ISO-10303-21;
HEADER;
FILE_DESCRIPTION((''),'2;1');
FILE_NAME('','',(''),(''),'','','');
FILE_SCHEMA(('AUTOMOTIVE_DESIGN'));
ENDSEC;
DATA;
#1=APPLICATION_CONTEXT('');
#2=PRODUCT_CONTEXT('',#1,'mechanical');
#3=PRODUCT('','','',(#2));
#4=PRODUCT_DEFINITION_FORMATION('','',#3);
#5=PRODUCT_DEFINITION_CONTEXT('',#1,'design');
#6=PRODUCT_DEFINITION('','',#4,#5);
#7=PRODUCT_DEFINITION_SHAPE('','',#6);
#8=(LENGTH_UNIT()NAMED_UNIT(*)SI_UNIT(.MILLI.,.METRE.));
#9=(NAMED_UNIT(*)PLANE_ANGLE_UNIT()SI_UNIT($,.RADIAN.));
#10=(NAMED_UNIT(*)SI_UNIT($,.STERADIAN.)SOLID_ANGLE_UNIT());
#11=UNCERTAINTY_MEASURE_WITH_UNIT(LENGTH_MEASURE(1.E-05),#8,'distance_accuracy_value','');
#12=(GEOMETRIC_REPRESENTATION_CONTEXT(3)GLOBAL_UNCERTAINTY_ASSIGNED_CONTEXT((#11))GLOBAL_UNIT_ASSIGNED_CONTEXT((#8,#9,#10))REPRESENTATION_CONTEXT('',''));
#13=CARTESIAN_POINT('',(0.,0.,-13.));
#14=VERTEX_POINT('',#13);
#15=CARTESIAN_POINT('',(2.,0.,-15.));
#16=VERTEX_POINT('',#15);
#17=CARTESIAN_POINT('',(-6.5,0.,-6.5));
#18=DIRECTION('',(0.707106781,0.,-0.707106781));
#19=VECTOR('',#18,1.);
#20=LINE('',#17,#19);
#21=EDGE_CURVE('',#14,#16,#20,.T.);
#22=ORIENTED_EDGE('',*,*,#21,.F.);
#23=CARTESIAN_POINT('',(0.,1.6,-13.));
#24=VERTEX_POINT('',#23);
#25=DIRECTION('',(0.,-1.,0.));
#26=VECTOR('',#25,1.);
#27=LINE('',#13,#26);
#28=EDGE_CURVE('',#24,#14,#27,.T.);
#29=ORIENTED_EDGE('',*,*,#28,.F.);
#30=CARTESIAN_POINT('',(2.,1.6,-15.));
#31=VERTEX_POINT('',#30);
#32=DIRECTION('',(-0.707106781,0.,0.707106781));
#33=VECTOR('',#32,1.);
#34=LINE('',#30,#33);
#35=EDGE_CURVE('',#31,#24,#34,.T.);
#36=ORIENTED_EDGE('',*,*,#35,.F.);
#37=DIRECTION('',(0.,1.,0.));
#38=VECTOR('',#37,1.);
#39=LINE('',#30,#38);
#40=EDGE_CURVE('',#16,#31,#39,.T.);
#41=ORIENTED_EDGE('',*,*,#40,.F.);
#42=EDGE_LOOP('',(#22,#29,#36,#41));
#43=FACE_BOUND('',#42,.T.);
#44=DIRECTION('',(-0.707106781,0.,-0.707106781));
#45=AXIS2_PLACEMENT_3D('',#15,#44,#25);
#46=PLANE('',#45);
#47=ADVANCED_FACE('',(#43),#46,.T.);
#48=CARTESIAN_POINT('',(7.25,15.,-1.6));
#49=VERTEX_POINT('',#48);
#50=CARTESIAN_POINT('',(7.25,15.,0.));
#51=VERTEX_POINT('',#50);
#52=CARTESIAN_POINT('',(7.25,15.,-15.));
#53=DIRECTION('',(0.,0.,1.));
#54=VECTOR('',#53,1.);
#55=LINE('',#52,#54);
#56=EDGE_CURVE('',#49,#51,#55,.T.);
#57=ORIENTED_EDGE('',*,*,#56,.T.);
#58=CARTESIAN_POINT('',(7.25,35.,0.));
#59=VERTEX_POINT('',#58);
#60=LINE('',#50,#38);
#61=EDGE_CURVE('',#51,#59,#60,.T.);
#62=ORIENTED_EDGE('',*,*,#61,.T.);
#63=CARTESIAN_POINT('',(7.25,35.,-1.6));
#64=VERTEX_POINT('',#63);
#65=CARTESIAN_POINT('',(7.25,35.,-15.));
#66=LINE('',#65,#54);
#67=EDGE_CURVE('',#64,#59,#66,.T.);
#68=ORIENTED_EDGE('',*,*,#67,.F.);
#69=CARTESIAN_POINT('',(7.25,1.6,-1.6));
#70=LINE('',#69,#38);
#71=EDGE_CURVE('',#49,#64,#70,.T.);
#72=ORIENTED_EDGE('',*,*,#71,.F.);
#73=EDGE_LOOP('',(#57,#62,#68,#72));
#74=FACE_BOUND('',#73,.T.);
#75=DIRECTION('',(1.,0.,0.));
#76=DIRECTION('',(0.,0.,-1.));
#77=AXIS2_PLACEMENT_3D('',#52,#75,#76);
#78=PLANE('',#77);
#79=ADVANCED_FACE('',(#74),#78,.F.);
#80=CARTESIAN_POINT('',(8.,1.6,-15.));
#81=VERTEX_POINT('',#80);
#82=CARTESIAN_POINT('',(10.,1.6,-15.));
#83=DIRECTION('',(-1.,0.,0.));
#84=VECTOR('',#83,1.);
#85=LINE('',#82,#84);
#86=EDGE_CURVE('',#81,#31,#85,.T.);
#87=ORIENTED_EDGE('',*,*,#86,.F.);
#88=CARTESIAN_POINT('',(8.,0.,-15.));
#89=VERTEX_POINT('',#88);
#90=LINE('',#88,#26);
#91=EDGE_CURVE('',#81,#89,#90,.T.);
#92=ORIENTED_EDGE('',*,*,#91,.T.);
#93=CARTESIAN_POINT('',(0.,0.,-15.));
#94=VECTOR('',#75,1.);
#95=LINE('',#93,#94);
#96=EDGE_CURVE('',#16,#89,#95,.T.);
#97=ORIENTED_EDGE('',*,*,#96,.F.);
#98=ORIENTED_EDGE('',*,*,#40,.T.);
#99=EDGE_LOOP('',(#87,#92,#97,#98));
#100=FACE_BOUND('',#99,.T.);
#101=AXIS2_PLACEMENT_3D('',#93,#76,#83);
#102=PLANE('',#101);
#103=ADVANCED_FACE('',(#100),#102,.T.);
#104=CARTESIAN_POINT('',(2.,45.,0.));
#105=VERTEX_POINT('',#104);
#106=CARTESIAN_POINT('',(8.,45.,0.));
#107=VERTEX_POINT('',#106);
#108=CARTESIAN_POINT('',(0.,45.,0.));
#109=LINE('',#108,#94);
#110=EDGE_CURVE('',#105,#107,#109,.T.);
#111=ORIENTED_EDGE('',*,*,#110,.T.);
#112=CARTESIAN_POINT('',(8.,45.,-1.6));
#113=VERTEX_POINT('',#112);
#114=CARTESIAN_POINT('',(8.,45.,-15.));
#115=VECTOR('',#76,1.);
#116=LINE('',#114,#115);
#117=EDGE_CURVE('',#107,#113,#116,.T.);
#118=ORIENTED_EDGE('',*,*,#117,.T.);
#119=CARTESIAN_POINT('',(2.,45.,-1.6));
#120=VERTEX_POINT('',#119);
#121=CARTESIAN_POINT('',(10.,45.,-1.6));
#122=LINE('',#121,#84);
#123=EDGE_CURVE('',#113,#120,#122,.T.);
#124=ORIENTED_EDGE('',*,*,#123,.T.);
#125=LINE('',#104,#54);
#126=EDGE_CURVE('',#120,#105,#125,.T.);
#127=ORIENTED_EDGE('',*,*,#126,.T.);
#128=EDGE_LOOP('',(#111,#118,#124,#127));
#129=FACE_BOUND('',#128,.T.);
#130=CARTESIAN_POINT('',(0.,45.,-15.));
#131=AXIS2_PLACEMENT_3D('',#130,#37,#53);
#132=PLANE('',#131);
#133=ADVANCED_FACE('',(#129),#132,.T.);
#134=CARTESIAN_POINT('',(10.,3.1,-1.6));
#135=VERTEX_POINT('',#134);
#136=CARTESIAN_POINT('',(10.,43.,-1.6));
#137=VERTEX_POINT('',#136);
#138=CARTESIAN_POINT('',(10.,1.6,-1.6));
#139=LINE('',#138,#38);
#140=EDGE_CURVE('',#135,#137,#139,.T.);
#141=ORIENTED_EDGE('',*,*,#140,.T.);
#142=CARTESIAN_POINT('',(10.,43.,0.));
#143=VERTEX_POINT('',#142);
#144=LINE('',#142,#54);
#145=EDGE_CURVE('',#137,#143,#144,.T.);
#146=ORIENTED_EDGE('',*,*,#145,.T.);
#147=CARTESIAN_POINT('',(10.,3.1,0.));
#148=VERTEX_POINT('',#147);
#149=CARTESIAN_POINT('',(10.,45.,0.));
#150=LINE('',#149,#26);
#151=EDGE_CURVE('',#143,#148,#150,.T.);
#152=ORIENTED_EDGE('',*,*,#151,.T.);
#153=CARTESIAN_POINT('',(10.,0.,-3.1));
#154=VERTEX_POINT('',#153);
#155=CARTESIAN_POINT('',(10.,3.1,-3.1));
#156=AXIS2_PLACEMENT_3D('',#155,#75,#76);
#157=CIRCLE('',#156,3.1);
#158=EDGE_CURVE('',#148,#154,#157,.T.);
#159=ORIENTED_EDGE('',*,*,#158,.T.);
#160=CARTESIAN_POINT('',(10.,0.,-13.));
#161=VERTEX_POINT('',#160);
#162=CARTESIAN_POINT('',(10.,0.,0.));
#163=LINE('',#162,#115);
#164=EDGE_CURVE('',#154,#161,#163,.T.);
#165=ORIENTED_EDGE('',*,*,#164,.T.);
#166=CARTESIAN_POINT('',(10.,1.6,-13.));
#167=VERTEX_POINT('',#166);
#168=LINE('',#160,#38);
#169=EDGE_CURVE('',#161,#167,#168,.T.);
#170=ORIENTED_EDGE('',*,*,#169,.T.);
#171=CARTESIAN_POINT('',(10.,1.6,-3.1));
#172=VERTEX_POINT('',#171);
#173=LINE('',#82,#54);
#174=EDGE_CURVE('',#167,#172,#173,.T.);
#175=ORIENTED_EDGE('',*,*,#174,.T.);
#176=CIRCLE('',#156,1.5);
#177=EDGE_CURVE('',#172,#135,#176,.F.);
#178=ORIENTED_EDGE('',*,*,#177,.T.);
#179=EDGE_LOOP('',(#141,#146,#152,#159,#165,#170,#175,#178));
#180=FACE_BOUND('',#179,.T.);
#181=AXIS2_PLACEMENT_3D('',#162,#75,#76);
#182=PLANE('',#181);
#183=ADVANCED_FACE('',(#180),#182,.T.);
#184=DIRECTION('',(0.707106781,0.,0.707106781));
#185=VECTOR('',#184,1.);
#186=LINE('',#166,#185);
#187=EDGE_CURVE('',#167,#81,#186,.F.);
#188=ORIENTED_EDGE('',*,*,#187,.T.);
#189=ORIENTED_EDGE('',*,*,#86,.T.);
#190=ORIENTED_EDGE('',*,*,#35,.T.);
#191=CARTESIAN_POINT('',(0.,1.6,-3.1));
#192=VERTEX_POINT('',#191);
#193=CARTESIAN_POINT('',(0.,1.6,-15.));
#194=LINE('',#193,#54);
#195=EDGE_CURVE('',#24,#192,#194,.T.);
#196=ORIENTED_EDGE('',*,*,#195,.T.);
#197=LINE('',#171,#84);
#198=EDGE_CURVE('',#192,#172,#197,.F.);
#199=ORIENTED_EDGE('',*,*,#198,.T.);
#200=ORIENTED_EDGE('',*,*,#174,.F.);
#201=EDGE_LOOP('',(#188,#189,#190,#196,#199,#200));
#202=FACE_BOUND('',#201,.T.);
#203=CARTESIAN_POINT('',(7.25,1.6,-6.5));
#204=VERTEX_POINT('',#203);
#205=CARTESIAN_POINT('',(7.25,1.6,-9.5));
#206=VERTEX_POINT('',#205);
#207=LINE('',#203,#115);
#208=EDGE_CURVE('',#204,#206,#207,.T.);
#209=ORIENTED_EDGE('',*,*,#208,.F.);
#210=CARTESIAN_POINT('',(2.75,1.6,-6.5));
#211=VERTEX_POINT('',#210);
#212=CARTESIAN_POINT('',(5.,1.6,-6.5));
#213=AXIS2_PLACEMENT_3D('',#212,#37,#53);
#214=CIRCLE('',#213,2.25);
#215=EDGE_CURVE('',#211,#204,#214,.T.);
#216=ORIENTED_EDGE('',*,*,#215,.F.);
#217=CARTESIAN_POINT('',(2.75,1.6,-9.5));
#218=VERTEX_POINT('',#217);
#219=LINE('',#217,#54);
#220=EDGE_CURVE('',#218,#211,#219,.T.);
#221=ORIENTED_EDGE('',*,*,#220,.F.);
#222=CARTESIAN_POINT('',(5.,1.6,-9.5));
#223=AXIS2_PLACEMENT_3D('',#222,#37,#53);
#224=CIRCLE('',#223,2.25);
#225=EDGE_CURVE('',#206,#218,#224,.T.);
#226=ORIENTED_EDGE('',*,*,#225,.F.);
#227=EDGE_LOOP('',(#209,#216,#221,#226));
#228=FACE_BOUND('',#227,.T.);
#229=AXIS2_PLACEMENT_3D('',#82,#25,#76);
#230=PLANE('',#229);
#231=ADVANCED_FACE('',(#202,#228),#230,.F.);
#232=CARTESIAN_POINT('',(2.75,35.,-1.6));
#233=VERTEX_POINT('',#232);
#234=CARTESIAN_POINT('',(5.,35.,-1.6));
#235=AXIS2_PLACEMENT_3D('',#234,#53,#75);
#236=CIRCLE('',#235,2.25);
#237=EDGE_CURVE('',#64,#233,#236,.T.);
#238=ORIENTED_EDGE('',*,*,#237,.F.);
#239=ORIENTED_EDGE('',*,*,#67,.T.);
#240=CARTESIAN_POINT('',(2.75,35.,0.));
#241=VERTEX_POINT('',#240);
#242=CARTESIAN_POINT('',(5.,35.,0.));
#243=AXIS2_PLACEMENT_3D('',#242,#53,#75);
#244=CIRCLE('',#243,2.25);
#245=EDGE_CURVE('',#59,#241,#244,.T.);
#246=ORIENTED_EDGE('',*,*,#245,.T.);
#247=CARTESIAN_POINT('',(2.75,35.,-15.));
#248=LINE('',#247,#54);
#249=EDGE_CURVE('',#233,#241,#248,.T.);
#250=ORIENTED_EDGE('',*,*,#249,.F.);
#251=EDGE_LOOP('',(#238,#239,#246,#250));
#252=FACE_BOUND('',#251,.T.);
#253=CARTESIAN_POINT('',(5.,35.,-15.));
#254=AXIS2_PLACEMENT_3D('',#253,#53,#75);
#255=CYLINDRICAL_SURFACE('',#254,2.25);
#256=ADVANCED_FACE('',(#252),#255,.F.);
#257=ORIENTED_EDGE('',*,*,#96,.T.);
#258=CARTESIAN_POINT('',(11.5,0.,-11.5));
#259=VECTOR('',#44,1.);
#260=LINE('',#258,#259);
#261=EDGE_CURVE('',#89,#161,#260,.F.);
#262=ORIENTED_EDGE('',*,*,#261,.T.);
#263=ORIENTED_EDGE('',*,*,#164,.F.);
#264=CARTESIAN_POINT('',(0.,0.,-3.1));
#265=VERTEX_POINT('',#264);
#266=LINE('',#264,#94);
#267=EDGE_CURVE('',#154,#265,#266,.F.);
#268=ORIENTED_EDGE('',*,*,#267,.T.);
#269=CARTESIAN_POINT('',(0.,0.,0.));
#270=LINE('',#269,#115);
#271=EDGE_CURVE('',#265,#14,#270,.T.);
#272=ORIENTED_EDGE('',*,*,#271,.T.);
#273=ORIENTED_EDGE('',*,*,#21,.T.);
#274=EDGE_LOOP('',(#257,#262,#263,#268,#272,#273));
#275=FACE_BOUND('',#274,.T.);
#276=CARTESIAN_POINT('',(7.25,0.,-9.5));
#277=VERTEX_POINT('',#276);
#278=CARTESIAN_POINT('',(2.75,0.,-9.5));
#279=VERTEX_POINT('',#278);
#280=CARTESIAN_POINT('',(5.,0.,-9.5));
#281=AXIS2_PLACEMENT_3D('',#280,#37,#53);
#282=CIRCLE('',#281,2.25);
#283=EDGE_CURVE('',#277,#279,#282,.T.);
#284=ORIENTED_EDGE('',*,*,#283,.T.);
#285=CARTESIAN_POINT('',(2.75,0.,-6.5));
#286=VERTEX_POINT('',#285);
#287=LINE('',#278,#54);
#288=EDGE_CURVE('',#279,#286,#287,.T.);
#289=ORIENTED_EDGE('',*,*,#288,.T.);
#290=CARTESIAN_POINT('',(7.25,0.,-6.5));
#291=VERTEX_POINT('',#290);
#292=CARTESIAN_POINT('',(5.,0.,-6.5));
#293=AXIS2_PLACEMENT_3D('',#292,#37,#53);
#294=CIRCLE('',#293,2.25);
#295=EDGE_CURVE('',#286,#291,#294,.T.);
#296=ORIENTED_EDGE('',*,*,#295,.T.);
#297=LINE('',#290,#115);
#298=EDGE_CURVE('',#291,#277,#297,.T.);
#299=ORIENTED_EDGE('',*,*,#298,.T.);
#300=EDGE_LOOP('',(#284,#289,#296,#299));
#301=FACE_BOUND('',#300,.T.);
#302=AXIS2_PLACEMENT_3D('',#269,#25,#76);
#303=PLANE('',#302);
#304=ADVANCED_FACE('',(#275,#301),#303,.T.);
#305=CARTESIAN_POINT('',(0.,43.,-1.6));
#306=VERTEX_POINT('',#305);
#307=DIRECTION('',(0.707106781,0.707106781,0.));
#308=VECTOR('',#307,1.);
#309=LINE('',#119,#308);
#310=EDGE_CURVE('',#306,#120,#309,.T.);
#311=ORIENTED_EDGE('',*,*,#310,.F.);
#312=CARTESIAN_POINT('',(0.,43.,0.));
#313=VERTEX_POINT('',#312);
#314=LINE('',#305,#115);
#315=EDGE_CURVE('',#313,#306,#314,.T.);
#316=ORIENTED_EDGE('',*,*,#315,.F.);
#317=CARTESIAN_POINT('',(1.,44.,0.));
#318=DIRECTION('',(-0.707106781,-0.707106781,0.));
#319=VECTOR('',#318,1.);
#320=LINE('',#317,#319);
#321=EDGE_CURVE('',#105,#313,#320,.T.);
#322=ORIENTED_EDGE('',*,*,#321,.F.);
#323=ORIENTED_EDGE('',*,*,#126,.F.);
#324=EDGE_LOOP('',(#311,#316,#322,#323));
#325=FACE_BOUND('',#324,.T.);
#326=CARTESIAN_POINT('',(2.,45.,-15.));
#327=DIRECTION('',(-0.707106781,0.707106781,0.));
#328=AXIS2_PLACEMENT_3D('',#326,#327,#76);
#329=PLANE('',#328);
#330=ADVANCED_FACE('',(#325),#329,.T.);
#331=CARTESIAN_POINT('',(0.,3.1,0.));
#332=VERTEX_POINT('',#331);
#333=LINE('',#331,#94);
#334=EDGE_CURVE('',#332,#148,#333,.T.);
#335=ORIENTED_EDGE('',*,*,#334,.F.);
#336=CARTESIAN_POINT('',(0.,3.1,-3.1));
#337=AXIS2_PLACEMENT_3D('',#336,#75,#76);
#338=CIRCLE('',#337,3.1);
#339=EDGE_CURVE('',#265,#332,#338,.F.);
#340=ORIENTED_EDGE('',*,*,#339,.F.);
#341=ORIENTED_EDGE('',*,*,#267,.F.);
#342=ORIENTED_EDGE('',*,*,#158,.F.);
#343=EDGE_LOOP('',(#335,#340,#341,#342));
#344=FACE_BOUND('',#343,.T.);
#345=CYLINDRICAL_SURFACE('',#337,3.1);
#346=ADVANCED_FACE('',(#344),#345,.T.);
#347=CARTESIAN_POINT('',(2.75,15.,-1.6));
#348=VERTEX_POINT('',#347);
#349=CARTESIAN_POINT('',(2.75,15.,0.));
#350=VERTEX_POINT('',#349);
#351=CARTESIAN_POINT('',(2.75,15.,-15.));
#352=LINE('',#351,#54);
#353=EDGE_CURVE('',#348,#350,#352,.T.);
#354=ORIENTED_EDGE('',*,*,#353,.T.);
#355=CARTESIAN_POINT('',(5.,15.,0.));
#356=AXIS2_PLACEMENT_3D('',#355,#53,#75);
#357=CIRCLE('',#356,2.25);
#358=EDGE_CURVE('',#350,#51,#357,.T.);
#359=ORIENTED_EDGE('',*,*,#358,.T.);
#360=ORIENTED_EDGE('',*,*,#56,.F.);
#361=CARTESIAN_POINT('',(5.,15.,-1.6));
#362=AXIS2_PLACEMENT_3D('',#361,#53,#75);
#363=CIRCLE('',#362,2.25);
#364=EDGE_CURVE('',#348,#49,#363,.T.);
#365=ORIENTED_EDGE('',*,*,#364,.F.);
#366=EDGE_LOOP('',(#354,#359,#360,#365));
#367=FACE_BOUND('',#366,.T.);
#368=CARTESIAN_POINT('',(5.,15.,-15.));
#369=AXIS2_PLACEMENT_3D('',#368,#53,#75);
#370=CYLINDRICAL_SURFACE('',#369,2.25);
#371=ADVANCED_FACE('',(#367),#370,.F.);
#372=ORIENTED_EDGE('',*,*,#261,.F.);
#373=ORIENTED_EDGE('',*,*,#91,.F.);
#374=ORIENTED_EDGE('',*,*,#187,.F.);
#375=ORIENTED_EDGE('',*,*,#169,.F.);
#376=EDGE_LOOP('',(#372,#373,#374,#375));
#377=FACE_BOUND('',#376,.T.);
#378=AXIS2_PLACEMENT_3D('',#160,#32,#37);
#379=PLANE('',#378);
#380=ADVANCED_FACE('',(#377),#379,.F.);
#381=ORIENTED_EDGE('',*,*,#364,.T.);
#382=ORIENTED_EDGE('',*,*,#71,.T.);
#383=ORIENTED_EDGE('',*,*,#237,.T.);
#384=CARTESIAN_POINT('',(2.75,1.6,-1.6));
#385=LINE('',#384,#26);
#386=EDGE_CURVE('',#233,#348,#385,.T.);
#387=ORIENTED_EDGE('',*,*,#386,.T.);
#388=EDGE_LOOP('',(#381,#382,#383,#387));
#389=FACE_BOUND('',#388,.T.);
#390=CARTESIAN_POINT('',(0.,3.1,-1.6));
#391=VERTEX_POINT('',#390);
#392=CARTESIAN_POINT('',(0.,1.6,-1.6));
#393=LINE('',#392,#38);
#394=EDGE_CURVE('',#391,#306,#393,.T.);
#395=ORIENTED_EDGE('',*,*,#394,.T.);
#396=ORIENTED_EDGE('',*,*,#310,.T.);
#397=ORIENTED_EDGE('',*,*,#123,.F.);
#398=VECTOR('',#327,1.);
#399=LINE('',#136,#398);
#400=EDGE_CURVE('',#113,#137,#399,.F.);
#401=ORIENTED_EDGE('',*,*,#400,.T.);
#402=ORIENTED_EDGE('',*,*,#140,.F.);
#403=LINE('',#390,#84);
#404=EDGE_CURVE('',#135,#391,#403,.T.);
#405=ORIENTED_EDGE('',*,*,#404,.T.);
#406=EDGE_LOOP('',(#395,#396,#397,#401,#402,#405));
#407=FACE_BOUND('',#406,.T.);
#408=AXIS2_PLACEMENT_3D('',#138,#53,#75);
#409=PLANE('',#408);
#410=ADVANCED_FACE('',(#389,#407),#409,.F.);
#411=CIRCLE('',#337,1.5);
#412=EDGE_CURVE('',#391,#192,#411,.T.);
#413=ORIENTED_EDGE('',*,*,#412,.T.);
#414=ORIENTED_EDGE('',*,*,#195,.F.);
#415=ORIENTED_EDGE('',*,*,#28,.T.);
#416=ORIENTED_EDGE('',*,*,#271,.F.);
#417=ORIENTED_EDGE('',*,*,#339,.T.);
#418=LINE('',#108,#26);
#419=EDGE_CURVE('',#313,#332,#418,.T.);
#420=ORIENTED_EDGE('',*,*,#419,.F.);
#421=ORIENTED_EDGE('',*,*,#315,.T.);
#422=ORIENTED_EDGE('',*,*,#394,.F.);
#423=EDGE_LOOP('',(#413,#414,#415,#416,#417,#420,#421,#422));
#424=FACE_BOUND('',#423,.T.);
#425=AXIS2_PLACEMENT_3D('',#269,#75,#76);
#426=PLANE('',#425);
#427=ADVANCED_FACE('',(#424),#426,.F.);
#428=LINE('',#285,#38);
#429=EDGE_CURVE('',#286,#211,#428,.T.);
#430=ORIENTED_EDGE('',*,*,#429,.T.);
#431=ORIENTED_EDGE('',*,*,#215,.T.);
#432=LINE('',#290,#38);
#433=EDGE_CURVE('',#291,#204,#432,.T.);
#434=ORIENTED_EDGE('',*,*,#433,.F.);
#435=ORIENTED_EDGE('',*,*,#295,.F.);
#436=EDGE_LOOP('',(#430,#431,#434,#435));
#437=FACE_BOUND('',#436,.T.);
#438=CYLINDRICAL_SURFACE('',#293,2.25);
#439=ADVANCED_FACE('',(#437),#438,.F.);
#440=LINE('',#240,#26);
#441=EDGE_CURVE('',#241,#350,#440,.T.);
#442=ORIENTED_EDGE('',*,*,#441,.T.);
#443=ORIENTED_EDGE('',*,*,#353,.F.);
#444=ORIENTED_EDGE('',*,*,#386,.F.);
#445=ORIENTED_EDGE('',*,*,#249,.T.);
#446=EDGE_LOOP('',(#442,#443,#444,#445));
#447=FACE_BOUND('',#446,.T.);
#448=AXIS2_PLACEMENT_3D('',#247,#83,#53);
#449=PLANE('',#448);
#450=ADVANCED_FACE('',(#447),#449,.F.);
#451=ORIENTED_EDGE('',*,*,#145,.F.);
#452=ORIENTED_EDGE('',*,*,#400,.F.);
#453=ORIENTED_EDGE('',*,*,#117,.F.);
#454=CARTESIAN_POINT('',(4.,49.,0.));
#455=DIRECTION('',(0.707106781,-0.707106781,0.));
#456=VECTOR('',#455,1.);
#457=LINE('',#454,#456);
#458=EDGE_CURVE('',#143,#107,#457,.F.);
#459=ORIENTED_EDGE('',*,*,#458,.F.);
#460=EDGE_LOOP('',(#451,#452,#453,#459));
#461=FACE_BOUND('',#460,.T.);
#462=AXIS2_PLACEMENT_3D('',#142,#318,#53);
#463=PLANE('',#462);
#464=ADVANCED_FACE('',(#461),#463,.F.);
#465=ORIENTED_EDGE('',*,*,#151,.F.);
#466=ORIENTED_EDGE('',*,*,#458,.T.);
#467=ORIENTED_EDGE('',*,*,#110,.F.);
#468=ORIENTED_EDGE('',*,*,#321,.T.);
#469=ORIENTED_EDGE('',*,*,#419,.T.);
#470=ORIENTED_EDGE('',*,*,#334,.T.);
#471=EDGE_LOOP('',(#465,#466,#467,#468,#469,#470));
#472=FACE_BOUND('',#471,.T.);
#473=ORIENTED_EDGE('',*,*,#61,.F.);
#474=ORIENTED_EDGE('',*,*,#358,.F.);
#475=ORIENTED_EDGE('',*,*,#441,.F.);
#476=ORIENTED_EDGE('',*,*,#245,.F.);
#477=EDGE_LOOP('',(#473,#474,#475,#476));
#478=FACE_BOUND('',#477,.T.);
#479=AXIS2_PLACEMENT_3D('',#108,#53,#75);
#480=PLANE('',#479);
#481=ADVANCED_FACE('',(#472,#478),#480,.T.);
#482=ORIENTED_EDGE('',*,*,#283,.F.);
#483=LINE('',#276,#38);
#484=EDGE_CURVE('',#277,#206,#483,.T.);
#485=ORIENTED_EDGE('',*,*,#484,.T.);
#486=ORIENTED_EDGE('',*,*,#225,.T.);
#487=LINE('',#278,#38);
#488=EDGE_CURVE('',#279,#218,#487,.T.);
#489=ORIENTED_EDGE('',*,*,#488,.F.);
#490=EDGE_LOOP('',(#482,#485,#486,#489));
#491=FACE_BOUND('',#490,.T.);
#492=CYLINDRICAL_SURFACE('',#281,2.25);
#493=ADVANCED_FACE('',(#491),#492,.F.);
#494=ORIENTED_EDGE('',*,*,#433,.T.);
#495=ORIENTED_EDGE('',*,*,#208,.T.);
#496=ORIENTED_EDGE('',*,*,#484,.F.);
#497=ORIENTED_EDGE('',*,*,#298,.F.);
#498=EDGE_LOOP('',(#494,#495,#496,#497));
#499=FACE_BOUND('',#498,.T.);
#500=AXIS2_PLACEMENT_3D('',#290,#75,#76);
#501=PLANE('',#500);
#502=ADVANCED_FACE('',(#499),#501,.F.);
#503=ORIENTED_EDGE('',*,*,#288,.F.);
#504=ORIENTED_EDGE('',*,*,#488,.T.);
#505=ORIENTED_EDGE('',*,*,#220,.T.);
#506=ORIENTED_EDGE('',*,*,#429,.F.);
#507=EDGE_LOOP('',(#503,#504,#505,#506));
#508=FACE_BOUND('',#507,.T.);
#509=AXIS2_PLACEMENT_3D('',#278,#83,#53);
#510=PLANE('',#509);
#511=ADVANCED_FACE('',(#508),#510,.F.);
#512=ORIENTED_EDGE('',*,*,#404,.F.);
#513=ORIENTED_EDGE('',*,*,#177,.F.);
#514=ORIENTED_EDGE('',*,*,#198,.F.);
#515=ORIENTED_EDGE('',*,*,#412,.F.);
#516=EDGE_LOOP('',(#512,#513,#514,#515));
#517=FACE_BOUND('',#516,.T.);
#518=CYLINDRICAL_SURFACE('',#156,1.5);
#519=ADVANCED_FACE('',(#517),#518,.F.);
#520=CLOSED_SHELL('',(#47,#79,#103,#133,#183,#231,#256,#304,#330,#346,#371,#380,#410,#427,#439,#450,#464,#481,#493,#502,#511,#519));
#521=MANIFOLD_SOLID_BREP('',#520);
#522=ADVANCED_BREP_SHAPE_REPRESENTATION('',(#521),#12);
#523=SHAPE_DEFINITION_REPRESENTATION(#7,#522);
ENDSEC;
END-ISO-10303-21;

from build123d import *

# Parameters (mm, degrees)
SKETCH1_W           = 15
SKETCH1_H           = 45
BOSS_EXTRUDE1_DEPTH = 10
SKETCH2_W           = 13.4
SKETCH2_H           = 43.4
CUT_EXTRUDE1_DEPTH  = 49.476798574
CUT_EXTRUDE2_DEPTH  = 47.995318916
CUT_EXTRUDE3_DEPTH  = 49.476798574
CHAMFER1_SIZE       = 2
FILLET1_R           = 1.5
FILLET2_R           = 3.1


with BuildPart() as part:
    # Sketch1 → Boss-Extrude1 (new body)
    with BuildSketch(Plane(origin=(10, 0, 0), x_dir=(0, 0, -1), z_dir=(1, 0, 0))):
        with Locations((7.5, 22.5)):
            Rectangle(SKETCH1_W, SKETCH1_H)
    extrude(amount=-BOSS_EXTRUDE1_DEPTH)

    # Sketch2 → Cut-Extrude1 (cut, through all)
    with BuildSketch(Plane.ZY):
        with Locations((-8.3, 23.3)):
            Rectangle(SKETCH2_W, SKETCH2_H)
    extrude(amount=-CUT_EXTRUDE1_DEPTH, mode=Mode.SUBTRACT)

    # Sketch3 → Cut-Extrude2 (cut, through all)
    with BuildSketch(Plane(origin=(0, 1.6, 0), x_dir=(-1, 0, 0), z_dir=(0, 1, 0))):
        with BuildLine():
            Line((-2.75, -9.5), (-2.75, -6.5))
            ThreePointArc((-2.75, -6.5), (-5, -4.25), (-7.25, -6.5))
            Line((-7.25, -6.5), (-7.25, -9.5))
            ThreePointArc((-7.25, -9.5), (-5, -11.75), (-2.75, -9.5))
        make_face()
    extrude(amount=-CUT_EXTRUDE2_DEPTH, mode=Mode.SUBTRACT)

    # Sketch4 → Cut-Extrude3 (cut, through all)
    with BuildSketch(Plane.XY):
        with BuildLine():
            Line((7.25, 15), (7.25, 35))
            ThreePointArc((7.25, 35), (5, 37.25), (2.75, 35))
            Line((2.75, 35), (2.75, 15))
            ThreePointArc((2.75, 15), (5, 12.75), (7.25, 15))
        make_face()
    extrude(amount=-CUT_EXTRUDE3_DEPTH, mode=Mode.SUBTRACT)

    # Chamfer1
    chamfer1_edges = [part.edges().sort_by_distance(p)[0] for p in [
        (0, 0.8, -15),
        (10, 45, -0.8),
        (0, 45, -0.8),
        (10, 0.8, -15),
    ]]
    chamfer(chamfer1_edges, length=CHAMFER1_SIZE)

    # Fillet1
    fillet1_edges = [part.edges().sort_by_distance(p)[0] for p in [
        (5, 1.6, -1.6),
    ]]
    fillet(fillet1_edges, radius=FILLET1_R)

    # Fillet2
    fillet2_edges = [part.edges().sort_by_distance(p)[0] for p in [
        (5, 0, 0),
    ]]
    fillet(fillet2_edges, radius=FILLET2_R)


solid = part.part
